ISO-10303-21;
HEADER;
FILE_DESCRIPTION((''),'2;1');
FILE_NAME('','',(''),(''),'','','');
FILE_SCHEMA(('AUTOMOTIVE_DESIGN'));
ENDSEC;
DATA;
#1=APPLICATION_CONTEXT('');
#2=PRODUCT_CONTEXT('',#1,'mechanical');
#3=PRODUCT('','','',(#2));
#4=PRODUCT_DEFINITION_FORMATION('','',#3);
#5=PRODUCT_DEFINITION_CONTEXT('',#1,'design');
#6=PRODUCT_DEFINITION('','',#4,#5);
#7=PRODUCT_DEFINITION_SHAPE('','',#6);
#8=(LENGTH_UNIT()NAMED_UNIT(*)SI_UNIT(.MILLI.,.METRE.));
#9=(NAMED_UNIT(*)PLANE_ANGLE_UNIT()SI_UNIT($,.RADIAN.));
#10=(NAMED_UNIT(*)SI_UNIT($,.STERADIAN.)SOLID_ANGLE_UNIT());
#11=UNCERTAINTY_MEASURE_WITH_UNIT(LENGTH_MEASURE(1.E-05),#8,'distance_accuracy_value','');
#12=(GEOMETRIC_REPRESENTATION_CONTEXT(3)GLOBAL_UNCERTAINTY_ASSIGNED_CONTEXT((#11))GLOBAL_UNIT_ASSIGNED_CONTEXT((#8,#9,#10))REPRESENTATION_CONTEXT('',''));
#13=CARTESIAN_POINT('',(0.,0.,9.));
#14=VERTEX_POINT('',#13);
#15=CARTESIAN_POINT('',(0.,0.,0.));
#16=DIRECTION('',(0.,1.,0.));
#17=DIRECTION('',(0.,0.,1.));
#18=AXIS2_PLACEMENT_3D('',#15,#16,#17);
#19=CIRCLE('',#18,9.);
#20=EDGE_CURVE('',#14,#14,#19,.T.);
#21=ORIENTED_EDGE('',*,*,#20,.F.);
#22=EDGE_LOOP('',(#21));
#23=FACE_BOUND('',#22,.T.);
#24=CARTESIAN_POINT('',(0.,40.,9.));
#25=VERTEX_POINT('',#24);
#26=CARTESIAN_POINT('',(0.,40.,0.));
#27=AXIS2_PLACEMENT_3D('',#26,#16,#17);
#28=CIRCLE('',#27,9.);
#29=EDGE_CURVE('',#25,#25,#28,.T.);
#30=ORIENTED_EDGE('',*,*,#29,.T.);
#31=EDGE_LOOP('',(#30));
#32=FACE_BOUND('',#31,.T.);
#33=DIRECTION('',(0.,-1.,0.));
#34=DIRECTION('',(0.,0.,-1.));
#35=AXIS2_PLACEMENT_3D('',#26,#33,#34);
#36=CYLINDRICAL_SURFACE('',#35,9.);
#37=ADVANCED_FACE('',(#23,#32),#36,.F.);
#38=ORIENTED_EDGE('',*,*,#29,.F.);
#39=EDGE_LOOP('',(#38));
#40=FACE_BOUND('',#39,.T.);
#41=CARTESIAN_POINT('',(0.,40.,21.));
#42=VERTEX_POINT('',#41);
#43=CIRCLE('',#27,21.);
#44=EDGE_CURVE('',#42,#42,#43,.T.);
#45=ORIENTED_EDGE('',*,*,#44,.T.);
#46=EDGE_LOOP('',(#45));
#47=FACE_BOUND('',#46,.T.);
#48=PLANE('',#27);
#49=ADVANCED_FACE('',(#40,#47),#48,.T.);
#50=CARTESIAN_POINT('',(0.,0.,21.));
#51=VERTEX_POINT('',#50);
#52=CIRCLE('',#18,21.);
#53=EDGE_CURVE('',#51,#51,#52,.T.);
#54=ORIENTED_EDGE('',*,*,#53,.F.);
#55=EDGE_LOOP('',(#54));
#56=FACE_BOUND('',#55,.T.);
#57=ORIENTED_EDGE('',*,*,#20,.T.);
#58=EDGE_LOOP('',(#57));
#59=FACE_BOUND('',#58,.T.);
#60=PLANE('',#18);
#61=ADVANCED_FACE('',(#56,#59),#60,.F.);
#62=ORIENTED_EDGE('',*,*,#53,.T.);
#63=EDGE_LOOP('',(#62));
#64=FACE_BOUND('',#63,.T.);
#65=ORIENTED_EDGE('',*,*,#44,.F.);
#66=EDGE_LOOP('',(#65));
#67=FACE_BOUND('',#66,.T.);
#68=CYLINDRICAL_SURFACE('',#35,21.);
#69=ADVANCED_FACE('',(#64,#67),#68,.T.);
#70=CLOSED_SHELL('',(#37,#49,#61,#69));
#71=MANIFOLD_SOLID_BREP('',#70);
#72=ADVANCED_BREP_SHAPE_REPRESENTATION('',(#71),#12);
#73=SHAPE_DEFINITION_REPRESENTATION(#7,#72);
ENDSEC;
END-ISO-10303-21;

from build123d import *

# Parameters (mm, degrees)
SKETCH1_R           = 21
SKETCH1_R_2         = 9
BOSS_EXTRUDE1_DEPTH = 40


with BuildPart() as part:
    # Sketch1 → Boss-Extrude1 (new body)
    with BuildSketch(Plane(origin=(0, 0, 0), x_dir=(1, 0, 0), z_dir=(0, 1, 0))):
        with Locations(Location((0, 0, 0), (0, 0, 270))):
            Circle(SKETCH1_R)
        with Locations(Location((0, 0, 0), (0, 0, 270))):
            Circle(SKETCH1_R_2, mode=Mode.SUBTRACT)
    extrude(amount=BOSS_EXTRUDE1_DEPTH)


solid = part.part
